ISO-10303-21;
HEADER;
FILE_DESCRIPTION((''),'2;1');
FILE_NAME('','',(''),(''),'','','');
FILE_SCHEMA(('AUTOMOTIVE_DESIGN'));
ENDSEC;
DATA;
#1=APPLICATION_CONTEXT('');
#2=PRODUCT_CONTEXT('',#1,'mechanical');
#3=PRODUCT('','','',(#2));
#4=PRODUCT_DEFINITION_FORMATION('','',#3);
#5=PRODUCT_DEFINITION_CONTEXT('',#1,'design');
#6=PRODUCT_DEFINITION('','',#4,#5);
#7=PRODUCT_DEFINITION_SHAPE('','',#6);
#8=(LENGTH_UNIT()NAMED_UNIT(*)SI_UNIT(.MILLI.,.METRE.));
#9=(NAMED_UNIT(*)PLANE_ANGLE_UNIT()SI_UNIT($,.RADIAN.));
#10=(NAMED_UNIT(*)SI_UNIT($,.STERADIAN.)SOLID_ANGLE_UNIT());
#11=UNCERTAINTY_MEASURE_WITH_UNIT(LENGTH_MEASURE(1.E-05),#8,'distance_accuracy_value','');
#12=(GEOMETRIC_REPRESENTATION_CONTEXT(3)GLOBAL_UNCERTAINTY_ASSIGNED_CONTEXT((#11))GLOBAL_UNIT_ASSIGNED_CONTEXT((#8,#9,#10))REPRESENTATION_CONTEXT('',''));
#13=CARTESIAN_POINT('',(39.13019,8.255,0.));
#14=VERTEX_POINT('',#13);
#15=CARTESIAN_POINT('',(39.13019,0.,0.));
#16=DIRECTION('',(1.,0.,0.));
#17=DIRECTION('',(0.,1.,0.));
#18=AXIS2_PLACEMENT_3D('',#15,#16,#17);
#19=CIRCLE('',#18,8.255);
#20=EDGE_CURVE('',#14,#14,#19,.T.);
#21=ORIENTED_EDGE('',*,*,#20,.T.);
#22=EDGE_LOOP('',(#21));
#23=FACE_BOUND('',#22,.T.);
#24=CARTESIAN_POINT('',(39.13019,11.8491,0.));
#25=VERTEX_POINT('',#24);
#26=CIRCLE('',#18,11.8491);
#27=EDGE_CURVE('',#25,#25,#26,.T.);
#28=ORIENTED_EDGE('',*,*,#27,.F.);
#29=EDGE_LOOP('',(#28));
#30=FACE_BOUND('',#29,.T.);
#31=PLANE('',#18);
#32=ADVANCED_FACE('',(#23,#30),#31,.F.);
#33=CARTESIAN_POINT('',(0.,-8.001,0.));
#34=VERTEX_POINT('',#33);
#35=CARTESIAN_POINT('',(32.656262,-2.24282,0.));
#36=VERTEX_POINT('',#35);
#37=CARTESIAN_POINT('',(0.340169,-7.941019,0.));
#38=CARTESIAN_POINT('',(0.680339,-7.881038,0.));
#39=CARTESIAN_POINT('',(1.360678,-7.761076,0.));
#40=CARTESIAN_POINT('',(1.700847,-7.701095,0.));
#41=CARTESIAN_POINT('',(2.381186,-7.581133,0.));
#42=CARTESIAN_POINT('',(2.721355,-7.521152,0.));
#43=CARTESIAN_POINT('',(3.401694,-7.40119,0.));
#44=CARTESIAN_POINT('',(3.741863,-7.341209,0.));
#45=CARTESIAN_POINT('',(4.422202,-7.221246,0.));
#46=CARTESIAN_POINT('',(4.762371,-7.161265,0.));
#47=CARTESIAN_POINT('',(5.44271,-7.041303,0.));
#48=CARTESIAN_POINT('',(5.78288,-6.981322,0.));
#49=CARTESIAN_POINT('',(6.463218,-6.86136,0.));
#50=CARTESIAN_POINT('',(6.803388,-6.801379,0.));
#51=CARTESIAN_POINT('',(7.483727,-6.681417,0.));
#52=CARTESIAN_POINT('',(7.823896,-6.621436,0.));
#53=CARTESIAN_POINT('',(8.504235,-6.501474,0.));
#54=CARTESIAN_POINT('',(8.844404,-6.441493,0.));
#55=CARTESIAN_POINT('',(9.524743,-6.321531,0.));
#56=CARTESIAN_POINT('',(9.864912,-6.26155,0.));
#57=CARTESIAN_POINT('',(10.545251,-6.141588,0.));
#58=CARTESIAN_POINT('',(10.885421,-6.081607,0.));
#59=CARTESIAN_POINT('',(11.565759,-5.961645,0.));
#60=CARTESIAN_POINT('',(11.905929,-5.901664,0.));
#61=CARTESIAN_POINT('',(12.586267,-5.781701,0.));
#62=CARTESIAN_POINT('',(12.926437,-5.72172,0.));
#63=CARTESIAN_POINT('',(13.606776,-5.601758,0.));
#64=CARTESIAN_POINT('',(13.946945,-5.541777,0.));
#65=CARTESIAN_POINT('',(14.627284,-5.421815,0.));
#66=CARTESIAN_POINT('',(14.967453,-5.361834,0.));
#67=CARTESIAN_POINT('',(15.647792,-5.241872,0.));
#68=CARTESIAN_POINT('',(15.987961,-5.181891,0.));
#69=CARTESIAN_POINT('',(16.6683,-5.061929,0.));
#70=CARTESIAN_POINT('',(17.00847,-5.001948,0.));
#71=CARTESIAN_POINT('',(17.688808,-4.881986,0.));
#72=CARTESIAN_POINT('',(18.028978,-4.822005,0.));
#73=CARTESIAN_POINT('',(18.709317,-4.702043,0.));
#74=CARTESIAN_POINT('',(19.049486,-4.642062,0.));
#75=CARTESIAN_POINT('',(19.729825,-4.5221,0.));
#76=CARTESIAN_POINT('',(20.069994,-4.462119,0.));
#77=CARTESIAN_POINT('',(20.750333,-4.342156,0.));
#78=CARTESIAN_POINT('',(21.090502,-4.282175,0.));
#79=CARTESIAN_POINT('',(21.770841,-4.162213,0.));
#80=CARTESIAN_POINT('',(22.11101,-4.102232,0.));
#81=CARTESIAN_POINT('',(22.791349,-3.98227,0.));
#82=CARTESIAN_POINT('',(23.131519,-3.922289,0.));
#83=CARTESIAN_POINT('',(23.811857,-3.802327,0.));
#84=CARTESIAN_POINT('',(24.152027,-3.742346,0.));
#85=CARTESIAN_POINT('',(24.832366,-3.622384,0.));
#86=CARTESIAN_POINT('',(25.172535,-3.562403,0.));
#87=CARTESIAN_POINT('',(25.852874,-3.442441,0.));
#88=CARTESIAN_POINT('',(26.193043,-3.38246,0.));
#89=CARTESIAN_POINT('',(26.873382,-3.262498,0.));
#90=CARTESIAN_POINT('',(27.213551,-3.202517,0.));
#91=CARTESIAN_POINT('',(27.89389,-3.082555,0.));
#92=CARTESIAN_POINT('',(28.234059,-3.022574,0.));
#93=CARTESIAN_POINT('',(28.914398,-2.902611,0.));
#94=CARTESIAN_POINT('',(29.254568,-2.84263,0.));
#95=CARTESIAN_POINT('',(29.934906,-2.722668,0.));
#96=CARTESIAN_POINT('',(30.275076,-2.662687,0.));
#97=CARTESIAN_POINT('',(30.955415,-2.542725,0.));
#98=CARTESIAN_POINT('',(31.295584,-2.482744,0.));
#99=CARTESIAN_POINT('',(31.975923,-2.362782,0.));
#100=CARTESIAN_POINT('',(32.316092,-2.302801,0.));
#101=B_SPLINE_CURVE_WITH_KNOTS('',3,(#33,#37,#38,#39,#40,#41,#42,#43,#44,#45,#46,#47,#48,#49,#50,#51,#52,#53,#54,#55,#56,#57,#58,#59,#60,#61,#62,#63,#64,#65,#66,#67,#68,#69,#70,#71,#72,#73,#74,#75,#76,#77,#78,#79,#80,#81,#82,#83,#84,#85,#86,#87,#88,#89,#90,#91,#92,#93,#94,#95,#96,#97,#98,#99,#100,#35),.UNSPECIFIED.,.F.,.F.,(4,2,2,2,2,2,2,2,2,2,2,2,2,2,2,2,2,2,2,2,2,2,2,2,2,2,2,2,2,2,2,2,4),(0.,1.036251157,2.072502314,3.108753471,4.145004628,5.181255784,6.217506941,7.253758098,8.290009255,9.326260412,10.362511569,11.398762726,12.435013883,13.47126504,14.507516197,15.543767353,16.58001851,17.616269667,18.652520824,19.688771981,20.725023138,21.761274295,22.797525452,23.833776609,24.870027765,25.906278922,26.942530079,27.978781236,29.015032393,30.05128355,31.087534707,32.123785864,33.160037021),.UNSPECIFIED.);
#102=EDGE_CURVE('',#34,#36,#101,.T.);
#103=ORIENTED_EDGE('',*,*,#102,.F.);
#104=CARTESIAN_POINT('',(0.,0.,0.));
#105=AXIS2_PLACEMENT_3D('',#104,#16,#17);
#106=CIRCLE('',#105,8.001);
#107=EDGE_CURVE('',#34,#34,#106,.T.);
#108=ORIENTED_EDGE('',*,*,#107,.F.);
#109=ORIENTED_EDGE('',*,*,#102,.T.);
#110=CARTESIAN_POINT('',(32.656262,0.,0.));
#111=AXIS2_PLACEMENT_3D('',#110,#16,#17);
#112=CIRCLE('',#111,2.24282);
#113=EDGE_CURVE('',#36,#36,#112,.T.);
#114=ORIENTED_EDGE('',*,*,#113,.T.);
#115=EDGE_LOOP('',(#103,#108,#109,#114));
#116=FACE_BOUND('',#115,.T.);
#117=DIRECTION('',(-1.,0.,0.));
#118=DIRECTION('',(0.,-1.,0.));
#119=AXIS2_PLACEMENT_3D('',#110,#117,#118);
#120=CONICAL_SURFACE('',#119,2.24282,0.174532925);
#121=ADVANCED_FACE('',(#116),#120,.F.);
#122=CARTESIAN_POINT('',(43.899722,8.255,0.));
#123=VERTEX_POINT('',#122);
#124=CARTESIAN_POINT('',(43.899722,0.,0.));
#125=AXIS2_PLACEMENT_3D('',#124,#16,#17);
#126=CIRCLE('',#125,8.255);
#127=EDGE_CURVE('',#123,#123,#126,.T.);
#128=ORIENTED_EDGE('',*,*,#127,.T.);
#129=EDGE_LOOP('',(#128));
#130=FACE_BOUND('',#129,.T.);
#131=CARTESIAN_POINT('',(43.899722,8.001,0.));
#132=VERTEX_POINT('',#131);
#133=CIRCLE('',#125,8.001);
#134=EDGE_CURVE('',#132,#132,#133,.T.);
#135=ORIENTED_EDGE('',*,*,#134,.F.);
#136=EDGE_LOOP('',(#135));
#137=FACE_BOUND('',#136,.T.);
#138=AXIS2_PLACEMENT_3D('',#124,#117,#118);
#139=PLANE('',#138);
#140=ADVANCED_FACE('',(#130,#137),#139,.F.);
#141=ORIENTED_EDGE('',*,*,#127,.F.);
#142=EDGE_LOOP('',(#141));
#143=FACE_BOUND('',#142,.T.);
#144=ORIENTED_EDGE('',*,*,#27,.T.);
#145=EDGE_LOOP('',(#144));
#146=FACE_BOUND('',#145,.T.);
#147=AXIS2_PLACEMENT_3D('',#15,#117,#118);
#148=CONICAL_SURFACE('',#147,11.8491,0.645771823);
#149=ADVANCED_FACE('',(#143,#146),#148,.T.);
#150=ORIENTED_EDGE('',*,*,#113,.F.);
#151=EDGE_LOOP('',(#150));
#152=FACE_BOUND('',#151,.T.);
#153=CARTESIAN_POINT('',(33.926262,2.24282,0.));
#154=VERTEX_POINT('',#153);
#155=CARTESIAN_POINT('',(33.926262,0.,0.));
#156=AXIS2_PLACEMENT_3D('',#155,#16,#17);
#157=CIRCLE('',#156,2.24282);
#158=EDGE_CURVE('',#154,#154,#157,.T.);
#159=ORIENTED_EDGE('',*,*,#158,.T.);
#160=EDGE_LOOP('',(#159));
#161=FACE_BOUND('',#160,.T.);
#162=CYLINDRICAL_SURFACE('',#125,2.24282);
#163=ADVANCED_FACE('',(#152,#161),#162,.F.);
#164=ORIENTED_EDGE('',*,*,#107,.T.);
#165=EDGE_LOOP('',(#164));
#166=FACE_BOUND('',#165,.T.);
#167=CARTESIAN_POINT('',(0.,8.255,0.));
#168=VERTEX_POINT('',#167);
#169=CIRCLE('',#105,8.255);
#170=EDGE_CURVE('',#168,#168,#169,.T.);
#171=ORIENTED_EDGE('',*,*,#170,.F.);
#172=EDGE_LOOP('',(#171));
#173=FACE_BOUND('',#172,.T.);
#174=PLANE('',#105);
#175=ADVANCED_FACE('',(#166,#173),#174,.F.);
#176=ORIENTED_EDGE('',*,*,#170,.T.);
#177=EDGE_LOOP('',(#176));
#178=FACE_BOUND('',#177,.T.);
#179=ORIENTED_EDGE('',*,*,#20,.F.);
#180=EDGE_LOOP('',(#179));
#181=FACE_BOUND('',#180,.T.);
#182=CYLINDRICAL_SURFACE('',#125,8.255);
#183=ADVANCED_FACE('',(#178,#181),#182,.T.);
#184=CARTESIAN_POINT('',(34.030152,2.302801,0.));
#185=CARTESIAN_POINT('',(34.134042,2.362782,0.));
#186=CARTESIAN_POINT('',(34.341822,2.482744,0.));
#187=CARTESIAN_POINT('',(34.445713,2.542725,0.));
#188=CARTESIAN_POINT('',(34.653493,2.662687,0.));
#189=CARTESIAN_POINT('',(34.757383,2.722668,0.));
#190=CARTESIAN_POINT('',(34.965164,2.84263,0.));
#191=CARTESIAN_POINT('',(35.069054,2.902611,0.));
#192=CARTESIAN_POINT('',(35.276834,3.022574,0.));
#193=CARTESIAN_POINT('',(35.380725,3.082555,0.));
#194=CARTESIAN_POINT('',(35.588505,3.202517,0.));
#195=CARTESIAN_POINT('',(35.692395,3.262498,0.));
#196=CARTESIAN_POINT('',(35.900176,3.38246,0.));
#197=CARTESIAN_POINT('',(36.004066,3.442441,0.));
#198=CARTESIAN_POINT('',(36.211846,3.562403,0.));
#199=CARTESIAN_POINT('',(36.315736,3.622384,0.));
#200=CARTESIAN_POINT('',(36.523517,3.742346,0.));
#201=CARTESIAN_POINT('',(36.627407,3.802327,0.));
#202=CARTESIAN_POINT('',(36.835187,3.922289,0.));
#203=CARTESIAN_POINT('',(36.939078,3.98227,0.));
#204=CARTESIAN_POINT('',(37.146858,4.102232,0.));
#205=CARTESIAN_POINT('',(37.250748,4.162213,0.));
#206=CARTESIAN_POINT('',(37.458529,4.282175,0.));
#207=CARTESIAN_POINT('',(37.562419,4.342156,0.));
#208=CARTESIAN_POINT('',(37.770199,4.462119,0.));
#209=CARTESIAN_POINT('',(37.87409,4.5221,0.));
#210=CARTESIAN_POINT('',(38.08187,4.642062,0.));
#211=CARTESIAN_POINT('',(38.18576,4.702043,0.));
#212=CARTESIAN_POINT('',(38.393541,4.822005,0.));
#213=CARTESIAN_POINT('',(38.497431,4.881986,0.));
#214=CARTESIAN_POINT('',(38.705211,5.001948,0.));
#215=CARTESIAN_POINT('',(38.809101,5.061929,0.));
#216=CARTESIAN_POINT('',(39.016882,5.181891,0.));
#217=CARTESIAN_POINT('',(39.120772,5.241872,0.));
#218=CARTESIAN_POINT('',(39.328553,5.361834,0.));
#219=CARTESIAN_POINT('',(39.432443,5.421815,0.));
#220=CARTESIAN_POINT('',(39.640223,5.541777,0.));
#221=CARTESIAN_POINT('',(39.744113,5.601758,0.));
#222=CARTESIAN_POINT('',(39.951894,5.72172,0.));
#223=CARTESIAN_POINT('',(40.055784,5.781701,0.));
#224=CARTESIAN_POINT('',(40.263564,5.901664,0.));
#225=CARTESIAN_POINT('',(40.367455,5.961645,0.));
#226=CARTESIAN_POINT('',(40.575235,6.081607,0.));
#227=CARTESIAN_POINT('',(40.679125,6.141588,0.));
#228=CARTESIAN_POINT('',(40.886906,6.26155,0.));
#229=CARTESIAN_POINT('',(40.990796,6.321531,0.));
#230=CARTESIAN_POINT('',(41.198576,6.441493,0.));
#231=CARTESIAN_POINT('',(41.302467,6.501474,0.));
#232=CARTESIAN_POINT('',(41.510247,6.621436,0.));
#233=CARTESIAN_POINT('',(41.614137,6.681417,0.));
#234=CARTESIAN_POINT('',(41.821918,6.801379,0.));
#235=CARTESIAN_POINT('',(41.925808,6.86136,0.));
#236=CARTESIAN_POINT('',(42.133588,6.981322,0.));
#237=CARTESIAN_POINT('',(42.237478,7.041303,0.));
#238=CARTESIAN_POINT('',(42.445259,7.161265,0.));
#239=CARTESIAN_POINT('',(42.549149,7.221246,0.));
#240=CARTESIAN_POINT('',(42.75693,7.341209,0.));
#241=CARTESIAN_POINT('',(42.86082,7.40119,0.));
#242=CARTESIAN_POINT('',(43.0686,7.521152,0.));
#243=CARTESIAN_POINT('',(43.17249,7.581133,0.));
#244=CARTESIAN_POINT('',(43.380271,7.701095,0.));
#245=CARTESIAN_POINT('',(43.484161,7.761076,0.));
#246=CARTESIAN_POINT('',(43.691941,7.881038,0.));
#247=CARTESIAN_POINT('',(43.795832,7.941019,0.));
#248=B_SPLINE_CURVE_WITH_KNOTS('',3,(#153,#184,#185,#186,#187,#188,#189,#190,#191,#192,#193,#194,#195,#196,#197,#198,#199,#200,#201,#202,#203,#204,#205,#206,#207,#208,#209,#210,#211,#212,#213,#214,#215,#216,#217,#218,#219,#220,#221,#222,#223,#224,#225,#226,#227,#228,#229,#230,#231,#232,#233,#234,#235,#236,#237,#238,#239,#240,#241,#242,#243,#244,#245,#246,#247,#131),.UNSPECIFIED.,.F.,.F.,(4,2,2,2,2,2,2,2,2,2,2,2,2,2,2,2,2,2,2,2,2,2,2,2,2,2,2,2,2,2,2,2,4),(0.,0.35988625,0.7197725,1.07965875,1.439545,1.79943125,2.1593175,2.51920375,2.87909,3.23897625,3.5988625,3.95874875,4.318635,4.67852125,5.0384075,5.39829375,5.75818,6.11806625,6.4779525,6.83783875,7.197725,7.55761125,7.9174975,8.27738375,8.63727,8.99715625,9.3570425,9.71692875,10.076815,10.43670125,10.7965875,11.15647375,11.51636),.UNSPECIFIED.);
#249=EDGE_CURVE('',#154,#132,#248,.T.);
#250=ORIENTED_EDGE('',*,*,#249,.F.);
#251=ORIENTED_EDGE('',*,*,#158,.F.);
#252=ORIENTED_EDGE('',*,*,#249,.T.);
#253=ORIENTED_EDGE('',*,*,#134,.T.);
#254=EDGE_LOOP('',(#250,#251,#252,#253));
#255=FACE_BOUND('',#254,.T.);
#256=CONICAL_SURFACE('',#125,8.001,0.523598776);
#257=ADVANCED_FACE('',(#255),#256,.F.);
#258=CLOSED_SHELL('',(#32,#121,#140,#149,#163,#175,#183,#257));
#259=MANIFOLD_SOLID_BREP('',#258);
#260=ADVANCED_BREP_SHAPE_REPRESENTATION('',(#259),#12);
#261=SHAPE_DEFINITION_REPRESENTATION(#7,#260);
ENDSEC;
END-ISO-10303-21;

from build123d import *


with BuildPart() as part:
    # Sketch1 → Revolve1 (revolve)
    with BuildSketch(Plane.XY):
        Polygon((0, 8.255), (0, 8.001), (32.656261548, 2.24282), (33.926261548, 2.24282), (43.899721867, 8.001), (43.899721867, 8.255), (39.130190074, 11.8491), (39.130190074, 8.255), align=None)
    revolve(axis=Axis((43.899721867, 0, 0), (-1, 0, 0)))


solid = part.part
